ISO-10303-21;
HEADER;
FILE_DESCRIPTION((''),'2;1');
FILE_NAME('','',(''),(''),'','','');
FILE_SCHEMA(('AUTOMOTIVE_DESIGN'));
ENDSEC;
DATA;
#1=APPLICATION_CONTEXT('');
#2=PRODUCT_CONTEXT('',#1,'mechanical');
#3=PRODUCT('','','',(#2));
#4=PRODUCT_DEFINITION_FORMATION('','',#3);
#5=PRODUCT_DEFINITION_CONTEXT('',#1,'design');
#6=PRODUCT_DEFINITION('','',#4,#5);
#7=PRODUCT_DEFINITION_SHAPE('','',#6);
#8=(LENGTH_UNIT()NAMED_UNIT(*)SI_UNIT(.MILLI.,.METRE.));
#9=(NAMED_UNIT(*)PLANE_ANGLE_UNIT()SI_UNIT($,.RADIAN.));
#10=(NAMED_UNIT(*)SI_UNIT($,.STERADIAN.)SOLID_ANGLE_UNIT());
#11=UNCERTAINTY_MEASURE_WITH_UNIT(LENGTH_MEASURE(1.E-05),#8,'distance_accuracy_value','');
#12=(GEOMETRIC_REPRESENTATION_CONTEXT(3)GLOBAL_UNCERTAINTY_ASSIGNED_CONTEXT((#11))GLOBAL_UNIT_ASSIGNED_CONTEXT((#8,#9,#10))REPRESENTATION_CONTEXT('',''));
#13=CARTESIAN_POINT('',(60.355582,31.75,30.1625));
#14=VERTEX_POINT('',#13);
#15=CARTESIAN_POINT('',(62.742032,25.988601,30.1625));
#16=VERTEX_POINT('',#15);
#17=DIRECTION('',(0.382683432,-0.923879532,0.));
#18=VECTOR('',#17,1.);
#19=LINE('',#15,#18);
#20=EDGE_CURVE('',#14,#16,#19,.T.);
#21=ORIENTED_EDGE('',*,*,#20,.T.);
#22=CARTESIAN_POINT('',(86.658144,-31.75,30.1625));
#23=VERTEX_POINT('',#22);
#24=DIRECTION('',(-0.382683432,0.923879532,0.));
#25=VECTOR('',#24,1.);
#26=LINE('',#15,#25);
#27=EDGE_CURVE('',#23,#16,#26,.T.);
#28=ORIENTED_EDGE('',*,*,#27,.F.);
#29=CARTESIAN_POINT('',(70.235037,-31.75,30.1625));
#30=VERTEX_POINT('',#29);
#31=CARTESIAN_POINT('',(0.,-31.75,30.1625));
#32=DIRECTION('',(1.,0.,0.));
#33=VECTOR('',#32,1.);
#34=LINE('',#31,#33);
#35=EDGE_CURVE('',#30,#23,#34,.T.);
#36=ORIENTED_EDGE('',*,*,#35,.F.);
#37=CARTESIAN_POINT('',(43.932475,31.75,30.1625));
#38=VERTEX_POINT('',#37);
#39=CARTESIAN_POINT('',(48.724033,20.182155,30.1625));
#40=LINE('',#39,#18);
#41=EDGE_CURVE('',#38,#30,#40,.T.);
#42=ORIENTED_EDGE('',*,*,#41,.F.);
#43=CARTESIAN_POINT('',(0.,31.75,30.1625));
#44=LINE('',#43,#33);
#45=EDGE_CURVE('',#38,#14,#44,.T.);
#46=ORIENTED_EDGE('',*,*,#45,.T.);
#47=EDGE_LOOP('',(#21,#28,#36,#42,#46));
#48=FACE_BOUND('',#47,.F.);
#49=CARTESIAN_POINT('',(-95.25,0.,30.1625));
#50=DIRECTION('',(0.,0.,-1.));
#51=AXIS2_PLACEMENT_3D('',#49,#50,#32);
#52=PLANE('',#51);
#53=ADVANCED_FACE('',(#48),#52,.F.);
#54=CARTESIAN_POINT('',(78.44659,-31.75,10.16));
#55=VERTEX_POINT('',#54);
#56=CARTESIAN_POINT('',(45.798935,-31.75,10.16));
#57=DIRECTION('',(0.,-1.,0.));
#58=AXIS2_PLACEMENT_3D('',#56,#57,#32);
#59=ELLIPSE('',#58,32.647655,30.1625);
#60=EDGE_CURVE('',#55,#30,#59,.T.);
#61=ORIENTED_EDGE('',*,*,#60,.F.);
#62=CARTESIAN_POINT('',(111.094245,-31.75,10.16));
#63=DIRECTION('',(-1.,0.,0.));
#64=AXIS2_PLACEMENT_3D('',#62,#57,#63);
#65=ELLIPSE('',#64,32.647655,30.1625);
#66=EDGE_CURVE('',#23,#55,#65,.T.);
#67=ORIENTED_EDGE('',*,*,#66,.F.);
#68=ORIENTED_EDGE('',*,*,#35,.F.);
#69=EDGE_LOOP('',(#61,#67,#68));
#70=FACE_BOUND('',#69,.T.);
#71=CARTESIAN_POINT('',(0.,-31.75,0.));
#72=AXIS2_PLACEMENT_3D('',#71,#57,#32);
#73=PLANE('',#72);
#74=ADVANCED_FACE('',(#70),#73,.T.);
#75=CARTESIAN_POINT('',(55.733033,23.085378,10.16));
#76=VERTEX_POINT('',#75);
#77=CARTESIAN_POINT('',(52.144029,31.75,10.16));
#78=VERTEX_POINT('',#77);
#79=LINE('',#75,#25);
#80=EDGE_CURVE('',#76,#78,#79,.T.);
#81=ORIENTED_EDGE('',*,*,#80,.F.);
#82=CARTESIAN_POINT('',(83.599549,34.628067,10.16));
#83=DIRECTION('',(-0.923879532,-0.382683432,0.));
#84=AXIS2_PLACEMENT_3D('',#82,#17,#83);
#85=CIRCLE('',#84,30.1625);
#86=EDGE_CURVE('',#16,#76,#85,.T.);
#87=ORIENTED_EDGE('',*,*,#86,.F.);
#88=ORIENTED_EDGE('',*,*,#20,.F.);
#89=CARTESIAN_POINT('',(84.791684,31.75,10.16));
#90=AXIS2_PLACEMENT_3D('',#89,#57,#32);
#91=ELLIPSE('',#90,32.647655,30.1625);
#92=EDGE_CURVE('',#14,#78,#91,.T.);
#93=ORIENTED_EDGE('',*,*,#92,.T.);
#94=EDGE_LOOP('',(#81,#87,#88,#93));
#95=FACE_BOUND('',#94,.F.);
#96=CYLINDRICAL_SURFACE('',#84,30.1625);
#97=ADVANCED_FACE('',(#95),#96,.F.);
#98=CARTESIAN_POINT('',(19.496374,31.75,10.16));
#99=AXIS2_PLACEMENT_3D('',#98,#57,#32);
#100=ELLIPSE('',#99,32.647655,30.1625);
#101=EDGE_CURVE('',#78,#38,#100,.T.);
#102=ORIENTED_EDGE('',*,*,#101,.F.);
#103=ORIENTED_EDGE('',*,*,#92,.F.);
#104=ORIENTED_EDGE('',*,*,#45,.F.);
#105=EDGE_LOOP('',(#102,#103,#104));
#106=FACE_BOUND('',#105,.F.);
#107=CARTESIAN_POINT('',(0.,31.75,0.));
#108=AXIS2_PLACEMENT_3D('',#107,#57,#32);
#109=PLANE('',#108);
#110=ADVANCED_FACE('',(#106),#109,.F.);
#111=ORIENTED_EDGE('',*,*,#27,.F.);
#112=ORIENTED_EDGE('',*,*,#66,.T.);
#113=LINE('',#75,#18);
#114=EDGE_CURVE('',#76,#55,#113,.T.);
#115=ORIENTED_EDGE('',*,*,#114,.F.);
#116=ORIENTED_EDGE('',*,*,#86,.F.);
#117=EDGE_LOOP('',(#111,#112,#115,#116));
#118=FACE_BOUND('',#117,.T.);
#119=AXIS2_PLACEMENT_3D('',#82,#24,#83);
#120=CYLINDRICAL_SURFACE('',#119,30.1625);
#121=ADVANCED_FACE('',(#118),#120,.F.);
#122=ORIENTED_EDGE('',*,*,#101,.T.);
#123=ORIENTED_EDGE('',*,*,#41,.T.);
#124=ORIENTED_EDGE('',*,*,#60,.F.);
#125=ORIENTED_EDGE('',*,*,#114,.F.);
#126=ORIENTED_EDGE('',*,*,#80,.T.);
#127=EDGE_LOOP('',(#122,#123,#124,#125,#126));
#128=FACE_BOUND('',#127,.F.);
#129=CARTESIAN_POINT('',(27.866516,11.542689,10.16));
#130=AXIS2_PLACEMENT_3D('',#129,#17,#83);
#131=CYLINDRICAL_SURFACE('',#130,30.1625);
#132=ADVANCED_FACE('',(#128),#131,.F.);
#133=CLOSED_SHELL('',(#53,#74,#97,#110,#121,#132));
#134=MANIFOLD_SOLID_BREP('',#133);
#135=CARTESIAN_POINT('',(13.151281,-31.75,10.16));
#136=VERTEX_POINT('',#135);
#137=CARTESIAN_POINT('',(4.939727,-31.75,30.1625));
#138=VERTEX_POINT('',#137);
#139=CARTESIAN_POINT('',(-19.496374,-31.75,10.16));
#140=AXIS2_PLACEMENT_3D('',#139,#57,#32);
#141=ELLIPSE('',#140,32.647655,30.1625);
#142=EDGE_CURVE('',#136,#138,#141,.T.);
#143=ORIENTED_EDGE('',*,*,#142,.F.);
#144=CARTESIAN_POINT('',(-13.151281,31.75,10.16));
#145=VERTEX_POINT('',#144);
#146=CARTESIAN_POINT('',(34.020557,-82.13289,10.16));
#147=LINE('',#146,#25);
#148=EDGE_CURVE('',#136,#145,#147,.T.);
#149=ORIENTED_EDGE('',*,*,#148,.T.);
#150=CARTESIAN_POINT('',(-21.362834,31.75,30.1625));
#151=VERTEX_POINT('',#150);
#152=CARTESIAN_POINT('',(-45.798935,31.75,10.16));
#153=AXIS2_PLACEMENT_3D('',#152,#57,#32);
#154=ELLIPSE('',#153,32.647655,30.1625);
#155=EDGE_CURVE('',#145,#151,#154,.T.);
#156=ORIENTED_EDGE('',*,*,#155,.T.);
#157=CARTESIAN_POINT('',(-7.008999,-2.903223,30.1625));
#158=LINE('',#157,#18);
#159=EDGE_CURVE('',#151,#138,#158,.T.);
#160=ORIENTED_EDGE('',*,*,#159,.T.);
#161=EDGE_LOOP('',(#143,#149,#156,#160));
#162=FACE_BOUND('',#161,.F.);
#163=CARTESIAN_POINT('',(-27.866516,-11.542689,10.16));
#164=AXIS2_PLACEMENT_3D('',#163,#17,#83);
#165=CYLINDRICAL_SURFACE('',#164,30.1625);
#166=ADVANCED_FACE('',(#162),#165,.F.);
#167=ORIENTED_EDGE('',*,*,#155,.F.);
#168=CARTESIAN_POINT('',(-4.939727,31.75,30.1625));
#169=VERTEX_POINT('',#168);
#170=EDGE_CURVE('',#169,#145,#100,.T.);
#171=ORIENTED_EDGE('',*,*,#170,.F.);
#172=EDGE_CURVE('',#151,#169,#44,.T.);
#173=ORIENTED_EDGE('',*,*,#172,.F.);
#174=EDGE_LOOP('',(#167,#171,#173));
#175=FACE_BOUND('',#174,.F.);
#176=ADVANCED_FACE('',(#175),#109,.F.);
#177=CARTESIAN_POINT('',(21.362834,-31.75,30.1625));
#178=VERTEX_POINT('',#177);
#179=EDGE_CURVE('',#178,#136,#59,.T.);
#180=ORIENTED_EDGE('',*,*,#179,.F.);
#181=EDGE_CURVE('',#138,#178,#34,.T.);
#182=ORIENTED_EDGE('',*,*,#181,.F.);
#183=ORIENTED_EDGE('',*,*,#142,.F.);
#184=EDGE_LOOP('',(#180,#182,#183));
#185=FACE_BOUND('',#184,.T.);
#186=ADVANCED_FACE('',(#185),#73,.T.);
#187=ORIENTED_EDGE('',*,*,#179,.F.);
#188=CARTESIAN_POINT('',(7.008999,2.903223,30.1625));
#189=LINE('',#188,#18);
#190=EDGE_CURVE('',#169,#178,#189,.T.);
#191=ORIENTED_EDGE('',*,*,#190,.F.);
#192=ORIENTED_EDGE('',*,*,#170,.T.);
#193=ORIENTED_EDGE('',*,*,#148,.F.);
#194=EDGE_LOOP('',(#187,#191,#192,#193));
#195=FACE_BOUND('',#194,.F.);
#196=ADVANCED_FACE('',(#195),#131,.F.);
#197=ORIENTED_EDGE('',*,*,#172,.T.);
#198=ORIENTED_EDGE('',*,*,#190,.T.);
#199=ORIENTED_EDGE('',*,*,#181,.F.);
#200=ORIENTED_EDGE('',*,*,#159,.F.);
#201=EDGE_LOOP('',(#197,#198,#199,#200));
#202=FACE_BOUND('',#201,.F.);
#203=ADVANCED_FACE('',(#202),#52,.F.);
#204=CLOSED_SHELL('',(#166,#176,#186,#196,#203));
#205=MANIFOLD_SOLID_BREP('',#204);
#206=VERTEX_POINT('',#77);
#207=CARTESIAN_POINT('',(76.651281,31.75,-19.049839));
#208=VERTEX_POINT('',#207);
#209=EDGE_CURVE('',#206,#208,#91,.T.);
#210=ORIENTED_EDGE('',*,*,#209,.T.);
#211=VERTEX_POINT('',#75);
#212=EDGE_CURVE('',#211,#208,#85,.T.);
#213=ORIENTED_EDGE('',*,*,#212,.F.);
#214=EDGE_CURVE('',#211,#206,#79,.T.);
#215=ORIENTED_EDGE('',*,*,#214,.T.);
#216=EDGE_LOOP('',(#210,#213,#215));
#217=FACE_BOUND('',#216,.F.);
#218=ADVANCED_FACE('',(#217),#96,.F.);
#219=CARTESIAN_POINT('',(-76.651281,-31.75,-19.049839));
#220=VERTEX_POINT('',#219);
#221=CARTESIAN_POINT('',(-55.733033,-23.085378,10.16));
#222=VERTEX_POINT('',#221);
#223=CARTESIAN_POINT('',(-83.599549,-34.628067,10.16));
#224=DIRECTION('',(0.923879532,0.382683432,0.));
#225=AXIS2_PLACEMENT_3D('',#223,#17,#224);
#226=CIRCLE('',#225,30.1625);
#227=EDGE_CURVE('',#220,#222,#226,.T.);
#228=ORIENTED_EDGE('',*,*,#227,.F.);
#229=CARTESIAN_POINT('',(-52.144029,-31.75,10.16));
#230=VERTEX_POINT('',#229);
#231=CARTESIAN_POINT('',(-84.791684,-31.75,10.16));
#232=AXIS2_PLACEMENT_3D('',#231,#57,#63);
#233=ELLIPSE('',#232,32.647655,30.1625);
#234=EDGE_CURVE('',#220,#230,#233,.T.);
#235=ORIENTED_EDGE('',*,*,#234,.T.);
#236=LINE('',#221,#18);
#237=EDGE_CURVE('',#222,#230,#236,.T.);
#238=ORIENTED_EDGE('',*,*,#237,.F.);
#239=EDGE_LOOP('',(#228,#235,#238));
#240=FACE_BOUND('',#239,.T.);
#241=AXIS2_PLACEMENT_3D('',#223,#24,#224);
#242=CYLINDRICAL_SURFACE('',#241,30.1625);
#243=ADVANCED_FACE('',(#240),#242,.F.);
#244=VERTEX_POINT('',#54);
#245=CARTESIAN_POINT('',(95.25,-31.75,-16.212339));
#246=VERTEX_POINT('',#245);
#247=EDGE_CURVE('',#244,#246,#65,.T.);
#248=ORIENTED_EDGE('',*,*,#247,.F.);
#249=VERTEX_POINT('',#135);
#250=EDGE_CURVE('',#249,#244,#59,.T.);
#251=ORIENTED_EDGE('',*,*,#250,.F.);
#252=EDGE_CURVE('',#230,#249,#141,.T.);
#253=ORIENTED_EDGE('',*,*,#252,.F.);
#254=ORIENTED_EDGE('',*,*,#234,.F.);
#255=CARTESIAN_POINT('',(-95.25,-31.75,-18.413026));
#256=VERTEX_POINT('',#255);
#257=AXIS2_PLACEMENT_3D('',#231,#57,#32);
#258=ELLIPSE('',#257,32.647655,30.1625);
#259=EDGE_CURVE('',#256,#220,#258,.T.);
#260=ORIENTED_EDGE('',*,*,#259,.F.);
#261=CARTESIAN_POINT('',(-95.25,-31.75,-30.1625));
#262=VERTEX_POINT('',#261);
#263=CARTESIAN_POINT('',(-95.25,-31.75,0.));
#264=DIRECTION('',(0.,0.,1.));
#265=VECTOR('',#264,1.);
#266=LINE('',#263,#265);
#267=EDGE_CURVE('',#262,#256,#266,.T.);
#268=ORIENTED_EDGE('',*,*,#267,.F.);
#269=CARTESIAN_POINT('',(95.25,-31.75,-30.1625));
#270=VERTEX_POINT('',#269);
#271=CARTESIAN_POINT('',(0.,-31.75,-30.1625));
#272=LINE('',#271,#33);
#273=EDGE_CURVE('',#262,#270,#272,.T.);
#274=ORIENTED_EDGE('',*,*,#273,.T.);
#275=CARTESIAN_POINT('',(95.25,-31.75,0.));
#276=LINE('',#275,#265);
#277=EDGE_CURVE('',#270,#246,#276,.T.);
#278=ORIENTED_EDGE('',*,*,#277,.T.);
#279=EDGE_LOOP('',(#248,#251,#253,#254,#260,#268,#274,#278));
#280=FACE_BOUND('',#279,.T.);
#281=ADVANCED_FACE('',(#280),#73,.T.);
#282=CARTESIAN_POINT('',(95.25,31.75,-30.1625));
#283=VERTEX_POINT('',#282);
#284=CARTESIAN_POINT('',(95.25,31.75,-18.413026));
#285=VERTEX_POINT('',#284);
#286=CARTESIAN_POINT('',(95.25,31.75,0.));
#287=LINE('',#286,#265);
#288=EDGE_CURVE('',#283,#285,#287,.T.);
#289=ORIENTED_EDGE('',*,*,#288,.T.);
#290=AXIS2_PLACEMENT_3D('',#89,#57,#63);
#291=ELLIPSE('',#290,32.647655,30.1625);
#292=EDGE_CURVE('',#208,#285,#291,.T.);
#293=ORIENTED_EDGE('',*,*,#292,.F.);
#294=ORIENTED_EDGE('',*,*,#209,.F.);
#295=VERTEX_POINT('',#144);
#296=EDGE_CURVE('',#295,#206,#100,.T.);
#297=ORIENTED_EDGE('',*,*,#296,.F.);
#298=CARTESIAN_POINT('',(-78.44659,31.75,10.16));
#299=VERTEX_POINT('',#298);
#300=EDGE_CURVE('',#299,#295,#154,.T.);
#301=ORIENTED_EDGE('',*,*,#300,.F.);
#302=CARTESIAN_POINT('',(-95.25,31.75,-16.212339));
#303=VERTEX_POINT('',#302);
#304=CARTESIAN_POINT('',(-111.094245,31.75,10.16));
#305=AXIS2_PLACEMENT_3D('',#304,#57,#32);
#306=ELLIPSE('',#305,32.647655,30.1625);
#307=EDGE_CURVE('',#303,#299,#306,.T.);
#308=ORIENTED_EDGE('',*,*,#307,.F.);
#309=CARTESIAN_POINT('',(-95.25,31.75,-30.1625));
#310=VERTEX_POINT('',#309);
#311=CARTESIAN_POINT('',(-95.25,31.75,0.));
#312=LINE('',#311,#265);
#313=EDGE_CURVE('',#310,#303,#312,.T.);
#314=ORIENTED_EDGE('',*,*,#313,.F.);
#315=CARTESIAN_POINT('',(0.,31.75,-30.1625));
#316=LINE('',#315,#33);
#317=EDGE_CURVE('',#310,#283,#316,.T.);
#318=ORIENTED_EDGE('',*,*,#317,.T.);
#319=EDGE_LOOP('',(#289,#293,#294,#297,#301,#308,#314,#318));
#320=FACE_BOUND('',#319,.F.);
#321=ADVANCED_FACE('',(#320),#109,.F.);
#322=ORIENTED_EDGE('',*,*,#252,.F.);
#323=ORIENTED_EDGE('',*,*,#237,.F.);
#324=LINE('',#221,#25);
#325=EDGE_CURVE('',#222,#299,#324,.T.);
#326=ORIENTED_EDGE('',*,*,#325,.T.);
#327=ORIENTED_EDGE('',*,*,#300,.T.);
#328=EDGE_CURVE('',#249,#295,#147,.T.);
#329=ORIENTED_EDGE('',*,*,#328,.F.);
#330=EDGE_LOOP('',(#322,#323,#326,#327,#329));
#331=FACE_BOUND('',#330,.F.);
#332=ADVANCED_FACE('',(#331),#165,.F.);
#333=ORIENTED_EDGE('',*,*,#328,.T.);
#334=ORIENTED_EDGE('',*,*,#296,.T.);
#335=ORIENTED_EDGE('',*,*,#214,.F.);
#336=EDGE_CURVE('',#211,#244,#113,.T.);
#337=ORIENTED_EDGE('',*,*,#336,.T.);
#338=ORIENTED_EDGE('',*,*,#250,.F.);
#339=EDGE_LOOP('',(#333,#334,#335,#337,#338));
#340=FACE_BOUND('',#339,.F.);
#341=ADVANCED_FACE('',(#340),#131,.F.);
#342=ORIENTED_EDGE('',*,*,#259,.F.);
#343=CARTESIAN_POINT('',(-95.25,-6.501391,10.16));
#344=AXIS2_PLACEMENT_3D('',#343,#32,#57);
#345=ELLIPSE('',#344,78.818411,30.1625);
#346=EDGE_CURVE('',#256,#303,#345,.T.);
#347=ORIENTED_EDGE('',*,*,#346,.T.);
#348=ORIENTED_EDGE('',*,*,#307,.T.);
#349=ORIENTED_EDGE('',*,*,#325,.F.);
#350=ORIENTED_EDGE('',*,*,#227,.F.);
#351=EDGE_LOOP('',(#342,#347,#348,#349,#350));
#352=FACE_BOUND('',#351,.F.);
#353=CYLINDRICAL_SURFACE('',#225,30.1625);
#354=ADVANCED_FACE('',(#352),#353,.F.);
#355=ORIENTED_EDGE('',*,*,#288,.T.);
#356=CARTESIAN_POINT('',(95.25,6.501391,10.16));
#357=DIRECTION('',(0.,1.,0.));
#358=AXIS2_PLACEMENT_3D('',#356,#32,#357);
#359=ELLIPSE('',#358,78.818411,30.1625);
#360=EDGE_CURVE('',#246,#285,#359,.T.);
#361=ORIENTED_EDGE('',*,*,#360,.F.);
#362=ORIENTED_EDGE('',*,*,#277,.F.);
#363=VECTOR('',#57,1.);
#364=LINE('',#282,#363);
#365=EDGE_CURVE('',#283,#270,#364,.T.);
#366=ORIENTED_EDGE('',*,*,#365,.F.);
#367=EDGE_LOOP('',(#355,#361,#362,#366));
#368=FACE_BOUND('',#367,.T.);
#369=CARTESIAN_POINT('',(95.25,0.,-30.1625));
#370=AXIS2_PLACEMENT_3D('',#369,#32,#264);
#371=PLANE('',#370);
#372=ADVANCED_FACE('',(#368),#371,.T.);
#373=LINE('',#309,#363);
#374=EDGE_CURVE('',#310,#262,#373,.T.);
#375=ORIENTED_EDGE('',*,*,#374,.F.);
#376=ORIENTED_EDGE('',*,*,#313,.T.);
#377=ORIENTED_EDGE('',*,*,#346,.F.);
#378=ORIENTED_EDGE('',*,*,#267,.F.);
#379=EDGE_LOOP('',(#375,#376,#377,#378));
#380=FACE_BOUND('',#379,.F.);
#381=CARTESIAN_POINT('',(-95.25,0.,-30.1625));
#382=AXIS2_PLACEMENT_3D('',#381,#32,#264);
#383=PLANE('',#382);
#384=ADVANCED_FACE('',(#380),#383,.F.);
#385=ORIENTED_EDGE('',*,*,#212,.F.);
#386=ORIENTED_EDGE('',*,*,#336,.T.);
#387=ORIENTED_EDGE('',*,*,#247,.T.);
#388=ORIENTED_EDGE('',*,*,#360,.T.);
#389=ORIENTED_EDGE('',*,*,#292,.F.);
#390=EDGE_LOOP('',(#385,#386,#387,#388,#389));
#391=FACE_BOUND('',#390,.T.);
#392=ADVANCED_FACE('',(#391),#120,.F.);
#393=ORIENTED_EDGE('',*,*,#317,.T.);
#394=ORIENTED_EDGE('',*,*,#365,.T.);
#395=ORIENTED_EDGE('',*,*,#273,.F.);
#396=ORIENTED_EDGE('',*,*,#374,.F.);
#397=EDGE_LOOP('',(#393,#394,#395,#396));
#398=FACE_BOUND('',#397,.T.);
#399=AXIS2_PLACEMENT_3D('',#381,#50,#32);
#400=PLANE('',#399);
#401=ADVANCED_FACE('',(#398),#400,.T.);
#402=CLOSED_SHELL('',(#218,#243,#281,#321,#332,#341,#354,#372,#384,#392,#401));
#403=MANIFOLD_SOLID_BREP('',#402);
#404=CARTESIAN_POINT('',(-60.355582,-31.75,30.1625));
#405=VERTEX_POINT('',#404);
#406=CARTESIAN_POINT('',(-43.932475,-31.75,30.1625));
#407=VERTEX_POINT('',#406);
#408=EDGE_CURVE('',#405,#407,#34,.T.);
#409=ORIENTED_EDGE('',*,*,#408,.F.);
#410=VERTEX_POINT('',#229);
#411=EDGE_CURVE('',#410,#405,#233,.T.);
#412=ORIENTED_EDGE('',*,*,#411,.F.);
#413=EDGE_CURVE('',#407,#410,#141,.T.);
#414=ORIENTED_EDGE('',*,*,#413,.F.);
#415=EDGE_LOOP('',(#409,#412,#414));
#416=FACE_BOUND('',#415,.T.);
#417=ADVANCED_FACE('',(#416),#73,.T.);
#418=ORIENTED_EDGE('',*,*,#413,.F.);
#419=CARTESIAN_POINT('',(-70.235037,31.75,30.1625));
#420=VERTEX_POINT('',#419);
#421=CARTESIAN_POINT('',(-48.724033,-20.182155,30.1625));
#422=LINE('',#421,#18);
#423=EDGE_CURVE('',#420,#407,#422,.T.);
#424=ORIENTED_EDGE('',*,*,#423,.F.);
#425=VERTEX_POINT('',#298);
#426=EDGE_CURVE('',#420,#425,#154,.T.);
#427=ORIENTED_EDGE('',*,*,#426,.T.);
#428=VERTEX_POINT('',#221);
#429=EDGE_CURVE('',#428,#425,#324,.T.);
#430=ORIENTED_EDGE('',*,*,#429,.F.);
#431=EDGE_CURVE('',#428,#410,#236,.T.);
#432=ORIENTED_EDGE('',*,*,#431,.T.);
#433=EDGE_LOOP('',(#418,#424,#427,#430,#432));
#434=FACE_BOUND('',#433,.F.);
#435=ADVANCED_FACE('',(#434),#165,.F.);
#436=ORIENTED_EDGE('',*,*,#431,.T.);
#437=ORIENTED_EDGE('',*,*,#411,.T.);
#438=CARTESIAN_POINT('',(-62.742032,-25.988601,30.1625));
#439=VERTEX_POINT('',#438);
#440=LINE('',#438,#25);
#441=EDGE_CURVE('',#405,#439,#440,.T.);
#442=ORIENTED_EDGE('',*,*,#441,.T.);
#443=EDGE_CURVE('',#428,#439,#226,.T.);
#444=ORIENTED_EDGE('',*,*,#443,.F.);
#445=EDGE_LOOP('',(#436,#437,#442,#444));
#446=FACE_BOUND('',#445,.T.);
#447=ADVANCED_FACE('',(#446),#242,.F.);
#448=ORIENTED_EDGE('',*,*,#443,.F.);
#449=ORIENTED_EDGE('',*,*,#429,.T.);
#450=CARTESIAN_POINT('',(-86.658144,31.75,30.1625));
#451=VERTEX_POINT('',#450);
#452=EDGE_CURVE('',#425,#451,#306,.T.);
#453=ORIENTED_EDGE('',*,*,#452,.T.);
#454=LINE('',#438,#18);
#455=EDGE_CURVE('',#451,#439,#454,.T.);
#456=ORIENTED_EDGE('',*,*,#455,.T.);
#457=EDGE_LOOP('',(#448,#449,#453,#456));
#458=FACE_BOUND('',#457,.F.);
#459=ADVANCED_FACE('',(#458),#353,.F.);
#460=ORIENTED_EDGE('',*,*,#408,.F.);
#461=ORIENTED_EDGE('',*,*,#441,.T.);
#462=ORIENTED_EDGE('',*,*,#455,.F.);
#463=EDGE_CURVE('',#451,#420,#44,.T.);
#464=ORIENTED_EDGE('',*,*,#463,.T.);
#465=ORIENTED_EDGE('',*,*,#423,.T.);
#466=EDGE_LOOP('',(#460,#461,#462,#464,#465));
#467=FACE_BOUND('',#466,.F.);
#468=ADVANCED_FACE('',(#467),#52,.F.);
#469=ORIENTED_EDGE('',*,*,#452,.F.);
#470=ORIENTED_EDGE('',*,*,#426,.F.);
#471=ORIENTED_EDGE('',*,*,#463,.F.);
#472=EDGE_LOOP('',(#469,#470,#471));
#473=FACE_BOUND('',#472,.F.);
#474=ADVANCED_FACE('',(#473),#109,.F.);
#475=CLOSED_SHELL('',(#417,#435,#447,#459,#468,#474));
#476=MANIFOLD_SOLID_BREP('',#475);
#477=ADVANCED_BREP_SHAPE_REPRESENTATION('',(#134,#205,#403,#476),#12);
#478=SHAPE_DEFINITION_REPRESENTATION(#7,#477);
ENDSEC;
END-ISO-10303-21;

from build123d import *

# Parameters (mm, degrees)
F0_W     = 190.5
F0_H     = 60.325
F1_DEPTH = 31.75
F4_R     = 30.1625
F5_DEPTH = 88.9


with BuildPart() as f1:
    # F0 (on Front) → F1 (new body, symmetric)
    with BuildSketch(Plane.XZ):
        Rectangle(F0_W, F0_H)
    extrude(amount=F1_DEPTH, both=True)

    # F4 (on line) → F5 (cut, symmetric)
    with BuildSketch(Plane(origin=(0, 0, 0), x_dir=(0.9238795325, 0.3826834324, 0), z_dir=(0.3826834324, -0.9238795325, 0))):
        with Locations((-90.4875, 10.16)):
            Circle(F4_R)
        with BuildLine():
            ThreePointArc((0, 10.16), (-30.1625, 40.3225), (-60.325, 10.16))
            ThreePointArc((-60.325, 10.16), (-30.1625, -20.0025), (0, 10.16))
        make_face()
        with BuildLine():
            ThreePointArc((60.325, 10.16), (30.1625, 40.3225), (0, 10.16))
            ThreePointArc((0, 10.16), (30.1625, -20.0025), (60.325, 10.16))
        make_face()
        with BuildLine():
            ThreePointArc((120.65, 10.16), (90.4875, 40.3225), (60.325, 10.16))
            ThreePointArc((60.325, 10.16), (90.4875, -20.0025), (120.65, 10.16))
        make_face()
    extrude(amount=F5_DEPTH, both=True, mode=Mode.SUBTRACT)


solid = f1.part
